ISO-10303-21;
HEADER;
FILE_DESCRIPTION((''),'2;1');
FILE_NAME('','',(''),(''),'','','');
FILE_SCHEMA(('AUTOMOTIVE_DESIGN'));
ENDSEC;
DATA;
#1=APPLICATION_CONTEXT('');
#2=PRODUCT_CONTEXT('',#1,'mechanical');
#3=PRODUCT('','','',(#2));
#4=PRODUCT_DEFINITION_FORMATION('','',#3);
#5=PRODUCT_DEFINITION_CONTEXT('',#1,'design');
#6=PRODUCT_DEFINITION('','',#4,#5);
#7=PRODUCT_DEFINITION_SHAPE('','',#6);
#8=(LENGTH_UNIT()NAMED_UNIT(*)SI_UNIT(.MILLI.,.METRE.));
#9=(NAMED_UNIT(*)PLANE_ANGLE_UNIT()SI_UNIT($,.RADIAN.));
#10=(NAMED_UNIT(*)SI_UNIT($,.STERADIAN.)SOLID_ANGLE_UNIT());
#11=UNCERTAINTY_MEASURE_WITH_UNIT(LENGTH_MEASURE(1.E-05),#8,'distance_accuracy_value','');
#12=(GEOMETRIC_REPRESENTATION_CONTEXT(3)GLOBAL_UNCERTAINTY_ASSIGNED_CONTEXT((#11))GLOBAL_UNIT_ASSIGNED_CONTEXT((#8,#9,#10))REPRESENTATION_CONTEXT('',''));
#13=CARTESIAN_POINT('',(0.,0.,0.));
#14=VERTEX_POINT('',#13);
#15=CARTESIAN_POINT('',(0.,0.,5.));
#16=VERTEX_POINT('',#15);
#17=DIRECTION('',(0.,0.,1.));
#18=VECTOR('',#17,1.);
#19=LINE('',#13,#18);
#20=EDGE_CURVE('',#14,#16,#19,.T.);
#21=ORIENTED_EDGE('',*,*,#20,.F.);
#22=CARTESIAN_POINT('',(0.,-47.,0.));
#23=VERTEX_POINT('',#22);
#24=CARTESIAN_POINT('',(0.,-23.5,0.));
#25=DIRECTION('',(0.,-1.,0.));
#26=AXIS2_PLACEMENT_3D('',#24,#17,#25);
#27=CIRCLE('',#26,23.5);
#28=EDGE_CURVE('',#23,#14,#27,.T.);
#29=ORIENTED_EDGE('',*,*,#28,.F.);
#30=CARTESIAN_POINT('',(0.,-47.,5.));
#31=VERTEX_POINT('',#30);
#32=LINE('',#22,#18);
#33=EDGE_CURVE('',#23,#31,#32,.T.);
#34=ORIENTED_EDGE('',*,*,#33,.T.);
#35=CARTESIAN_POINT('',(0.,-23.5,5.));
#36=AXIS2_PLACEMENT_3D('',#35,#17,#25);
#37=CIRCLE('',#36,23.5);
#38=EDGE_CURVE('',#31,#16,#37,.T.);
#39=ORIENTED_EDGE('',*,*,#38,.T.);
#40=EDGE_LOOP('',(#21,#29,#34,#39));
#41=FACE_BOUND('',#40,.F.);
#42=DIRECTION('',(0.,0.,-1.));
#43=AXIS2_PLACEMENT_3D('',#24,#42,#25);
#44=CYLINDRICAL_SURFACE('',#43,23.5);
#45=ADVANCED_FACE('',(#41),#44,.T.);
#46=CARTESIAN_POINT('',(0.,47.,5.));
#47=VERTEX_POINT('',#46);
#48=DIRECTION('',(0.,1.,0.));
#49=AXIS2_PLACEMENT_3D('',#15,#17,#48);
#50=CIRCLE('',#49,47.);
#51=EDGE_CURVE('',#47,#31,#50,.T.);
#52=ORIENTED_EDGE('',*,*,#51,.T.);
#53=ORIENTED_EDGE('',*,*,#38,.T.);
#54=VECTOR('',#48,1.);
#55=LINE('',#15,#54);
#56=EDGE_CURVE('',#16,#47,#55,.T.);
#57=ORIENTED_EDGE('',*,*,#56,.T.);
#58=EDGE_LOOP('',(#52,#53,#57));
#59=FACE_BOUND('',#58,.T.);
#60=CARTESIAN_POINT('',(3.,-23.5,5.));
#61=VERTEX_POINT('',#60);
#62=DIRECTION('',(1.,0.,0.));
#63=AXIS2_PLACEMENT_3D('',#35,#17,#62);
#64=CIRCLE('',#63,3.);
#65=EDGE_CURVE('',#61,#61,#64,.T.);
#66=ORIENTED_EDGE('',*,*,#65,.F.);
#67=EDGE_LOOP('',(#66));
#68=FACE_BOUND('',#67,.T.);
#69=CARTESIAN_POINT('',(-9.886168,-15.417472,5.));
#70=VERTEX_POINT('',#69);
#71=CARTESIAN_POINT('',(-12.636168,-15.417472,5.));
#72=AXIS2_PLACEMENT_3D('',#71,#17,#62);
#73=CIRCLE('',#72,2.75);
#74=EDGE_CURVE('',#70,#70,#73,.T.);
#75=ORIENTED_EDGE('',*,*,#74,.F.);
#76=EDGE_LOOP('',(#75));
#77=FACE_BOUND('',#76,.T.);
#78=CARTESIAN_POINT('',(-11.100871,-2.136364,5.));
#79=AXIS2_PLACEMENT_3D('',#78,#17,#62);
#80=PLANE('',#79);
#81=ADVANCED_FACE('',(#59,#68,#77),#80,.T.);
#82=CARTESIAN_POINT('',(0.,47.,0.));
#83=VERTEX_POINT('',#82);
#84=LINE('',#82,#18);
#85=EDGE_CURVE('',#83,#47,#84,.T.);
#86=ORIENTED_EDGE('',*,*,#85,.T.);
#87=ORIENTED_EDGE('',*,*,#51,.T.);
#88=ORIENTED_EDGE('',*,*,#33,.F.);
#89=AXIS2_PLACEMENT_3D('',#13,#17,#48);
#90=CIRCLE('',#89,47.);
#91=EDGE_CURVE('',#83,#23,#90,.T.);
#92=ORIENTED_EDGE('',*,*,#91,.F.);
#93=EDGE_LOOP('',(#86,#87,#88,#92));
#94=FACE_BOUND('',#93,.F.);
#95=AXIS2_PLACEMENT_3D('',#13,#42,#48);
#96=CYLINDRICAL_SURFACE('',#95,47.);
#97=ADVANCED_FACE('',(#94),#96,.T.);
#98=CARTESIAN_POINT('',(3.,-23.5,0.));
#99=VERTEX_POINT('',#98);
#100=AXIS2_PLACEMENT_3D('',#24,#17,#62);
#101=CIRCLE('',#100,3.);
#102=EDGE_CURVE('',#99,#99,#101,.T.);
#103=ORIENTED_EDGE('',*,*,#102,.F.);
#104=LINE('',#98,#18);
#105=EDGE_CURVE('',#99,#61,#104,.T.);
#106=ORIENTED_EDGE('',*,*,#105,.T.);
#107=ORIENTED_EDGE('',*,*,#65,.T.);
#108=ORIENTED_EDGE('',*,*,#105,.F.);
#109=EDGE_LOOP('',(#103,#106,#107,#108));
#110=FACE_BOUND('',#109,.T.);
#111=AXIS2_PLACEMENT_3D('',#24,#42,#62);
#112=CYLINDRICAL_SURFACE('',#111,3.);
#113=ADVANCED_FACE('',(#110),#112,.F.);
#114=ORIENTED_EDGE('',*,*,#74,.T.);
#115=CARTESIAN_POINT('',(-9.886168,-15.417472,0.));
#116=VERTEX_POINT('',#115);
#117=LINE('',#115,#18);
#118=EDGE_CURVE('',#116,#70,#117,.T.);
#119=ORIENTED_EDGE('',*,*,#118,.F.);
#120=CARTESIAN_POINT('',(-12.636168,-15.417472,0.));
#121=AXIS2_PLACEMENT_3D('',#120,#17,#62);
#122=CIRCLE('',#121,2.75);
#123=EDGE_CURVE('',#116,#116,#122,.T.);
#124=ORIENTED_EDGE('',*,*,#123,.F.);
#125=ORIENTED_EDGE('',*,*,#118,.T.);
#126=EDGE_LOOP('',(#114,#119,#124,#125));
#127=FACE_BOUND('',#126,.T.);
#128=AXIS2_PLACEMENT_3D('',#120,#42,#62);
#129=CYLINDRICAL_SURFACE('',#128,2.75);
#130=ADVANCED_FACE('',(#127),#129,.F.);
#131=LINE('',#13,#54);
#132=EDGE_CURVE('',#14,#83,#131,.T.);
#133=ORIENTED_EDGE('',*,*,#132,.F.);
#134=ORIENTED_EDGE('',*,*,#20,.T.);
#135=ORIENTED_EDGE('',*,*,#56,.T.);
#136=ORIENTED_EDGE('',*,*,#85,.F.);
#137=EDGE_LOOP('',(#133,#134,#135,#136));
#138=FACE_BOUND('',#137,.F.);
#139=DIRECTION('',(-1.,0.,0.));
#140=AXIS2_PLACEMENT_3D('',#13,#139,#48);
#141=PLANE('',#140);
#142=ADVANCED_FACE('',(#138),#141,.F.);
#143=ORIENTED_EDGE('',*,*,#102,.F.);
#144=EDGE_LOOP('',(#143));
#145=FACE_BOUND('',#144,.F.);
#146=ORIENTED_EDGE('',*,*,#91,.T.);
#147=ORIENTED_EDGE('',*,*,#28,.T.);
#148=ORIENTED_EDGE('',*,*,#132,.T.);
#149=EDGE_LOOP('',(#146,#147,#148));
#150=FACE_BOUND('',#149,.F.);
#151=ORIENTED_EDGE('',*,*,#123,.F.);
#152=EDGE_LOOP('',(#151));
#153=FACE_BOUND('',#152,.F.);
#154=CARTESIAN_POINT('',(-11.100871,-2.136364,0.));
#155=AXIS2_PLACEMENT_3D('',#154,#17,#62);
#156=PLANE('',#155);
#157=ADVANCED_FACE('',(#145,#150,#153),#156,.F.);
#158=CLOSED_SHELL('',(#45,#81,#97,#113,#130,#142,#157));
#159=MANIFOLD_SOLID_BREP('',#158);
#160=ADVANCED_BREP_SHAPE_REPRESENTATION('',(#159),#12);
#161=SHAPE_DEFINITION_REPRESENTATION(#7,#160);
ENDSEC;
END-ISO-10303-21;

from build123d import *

# Parameters (mm, degrees)
F0_R     = 2.75
F0_R_2   = 3
F1_DEPTH = 5


with BuildPart() as f1:
    # F0 (on Top) → F1 (new body)
    with BuildSketch(Plane.XY):
        with BuildLine():
            Line((0, 0), (0, 47))
            ThreePointArc((0, 47), (-47, 0), (0, -47))
            ThreePointArc((0, -47), (23.5, -23.5), (0, 0))
        make_face()
        with Locations((-12.636168, -15.417472)):
            Circle(F0_R, mode=Mode.SUBTRACT)
        with Locations((0, -23.5)):
            Circle(F0_R_2, mode=Mode.SUBTRACT)
    extrude(amount=F1_DEPTH)


solid = f1.part
